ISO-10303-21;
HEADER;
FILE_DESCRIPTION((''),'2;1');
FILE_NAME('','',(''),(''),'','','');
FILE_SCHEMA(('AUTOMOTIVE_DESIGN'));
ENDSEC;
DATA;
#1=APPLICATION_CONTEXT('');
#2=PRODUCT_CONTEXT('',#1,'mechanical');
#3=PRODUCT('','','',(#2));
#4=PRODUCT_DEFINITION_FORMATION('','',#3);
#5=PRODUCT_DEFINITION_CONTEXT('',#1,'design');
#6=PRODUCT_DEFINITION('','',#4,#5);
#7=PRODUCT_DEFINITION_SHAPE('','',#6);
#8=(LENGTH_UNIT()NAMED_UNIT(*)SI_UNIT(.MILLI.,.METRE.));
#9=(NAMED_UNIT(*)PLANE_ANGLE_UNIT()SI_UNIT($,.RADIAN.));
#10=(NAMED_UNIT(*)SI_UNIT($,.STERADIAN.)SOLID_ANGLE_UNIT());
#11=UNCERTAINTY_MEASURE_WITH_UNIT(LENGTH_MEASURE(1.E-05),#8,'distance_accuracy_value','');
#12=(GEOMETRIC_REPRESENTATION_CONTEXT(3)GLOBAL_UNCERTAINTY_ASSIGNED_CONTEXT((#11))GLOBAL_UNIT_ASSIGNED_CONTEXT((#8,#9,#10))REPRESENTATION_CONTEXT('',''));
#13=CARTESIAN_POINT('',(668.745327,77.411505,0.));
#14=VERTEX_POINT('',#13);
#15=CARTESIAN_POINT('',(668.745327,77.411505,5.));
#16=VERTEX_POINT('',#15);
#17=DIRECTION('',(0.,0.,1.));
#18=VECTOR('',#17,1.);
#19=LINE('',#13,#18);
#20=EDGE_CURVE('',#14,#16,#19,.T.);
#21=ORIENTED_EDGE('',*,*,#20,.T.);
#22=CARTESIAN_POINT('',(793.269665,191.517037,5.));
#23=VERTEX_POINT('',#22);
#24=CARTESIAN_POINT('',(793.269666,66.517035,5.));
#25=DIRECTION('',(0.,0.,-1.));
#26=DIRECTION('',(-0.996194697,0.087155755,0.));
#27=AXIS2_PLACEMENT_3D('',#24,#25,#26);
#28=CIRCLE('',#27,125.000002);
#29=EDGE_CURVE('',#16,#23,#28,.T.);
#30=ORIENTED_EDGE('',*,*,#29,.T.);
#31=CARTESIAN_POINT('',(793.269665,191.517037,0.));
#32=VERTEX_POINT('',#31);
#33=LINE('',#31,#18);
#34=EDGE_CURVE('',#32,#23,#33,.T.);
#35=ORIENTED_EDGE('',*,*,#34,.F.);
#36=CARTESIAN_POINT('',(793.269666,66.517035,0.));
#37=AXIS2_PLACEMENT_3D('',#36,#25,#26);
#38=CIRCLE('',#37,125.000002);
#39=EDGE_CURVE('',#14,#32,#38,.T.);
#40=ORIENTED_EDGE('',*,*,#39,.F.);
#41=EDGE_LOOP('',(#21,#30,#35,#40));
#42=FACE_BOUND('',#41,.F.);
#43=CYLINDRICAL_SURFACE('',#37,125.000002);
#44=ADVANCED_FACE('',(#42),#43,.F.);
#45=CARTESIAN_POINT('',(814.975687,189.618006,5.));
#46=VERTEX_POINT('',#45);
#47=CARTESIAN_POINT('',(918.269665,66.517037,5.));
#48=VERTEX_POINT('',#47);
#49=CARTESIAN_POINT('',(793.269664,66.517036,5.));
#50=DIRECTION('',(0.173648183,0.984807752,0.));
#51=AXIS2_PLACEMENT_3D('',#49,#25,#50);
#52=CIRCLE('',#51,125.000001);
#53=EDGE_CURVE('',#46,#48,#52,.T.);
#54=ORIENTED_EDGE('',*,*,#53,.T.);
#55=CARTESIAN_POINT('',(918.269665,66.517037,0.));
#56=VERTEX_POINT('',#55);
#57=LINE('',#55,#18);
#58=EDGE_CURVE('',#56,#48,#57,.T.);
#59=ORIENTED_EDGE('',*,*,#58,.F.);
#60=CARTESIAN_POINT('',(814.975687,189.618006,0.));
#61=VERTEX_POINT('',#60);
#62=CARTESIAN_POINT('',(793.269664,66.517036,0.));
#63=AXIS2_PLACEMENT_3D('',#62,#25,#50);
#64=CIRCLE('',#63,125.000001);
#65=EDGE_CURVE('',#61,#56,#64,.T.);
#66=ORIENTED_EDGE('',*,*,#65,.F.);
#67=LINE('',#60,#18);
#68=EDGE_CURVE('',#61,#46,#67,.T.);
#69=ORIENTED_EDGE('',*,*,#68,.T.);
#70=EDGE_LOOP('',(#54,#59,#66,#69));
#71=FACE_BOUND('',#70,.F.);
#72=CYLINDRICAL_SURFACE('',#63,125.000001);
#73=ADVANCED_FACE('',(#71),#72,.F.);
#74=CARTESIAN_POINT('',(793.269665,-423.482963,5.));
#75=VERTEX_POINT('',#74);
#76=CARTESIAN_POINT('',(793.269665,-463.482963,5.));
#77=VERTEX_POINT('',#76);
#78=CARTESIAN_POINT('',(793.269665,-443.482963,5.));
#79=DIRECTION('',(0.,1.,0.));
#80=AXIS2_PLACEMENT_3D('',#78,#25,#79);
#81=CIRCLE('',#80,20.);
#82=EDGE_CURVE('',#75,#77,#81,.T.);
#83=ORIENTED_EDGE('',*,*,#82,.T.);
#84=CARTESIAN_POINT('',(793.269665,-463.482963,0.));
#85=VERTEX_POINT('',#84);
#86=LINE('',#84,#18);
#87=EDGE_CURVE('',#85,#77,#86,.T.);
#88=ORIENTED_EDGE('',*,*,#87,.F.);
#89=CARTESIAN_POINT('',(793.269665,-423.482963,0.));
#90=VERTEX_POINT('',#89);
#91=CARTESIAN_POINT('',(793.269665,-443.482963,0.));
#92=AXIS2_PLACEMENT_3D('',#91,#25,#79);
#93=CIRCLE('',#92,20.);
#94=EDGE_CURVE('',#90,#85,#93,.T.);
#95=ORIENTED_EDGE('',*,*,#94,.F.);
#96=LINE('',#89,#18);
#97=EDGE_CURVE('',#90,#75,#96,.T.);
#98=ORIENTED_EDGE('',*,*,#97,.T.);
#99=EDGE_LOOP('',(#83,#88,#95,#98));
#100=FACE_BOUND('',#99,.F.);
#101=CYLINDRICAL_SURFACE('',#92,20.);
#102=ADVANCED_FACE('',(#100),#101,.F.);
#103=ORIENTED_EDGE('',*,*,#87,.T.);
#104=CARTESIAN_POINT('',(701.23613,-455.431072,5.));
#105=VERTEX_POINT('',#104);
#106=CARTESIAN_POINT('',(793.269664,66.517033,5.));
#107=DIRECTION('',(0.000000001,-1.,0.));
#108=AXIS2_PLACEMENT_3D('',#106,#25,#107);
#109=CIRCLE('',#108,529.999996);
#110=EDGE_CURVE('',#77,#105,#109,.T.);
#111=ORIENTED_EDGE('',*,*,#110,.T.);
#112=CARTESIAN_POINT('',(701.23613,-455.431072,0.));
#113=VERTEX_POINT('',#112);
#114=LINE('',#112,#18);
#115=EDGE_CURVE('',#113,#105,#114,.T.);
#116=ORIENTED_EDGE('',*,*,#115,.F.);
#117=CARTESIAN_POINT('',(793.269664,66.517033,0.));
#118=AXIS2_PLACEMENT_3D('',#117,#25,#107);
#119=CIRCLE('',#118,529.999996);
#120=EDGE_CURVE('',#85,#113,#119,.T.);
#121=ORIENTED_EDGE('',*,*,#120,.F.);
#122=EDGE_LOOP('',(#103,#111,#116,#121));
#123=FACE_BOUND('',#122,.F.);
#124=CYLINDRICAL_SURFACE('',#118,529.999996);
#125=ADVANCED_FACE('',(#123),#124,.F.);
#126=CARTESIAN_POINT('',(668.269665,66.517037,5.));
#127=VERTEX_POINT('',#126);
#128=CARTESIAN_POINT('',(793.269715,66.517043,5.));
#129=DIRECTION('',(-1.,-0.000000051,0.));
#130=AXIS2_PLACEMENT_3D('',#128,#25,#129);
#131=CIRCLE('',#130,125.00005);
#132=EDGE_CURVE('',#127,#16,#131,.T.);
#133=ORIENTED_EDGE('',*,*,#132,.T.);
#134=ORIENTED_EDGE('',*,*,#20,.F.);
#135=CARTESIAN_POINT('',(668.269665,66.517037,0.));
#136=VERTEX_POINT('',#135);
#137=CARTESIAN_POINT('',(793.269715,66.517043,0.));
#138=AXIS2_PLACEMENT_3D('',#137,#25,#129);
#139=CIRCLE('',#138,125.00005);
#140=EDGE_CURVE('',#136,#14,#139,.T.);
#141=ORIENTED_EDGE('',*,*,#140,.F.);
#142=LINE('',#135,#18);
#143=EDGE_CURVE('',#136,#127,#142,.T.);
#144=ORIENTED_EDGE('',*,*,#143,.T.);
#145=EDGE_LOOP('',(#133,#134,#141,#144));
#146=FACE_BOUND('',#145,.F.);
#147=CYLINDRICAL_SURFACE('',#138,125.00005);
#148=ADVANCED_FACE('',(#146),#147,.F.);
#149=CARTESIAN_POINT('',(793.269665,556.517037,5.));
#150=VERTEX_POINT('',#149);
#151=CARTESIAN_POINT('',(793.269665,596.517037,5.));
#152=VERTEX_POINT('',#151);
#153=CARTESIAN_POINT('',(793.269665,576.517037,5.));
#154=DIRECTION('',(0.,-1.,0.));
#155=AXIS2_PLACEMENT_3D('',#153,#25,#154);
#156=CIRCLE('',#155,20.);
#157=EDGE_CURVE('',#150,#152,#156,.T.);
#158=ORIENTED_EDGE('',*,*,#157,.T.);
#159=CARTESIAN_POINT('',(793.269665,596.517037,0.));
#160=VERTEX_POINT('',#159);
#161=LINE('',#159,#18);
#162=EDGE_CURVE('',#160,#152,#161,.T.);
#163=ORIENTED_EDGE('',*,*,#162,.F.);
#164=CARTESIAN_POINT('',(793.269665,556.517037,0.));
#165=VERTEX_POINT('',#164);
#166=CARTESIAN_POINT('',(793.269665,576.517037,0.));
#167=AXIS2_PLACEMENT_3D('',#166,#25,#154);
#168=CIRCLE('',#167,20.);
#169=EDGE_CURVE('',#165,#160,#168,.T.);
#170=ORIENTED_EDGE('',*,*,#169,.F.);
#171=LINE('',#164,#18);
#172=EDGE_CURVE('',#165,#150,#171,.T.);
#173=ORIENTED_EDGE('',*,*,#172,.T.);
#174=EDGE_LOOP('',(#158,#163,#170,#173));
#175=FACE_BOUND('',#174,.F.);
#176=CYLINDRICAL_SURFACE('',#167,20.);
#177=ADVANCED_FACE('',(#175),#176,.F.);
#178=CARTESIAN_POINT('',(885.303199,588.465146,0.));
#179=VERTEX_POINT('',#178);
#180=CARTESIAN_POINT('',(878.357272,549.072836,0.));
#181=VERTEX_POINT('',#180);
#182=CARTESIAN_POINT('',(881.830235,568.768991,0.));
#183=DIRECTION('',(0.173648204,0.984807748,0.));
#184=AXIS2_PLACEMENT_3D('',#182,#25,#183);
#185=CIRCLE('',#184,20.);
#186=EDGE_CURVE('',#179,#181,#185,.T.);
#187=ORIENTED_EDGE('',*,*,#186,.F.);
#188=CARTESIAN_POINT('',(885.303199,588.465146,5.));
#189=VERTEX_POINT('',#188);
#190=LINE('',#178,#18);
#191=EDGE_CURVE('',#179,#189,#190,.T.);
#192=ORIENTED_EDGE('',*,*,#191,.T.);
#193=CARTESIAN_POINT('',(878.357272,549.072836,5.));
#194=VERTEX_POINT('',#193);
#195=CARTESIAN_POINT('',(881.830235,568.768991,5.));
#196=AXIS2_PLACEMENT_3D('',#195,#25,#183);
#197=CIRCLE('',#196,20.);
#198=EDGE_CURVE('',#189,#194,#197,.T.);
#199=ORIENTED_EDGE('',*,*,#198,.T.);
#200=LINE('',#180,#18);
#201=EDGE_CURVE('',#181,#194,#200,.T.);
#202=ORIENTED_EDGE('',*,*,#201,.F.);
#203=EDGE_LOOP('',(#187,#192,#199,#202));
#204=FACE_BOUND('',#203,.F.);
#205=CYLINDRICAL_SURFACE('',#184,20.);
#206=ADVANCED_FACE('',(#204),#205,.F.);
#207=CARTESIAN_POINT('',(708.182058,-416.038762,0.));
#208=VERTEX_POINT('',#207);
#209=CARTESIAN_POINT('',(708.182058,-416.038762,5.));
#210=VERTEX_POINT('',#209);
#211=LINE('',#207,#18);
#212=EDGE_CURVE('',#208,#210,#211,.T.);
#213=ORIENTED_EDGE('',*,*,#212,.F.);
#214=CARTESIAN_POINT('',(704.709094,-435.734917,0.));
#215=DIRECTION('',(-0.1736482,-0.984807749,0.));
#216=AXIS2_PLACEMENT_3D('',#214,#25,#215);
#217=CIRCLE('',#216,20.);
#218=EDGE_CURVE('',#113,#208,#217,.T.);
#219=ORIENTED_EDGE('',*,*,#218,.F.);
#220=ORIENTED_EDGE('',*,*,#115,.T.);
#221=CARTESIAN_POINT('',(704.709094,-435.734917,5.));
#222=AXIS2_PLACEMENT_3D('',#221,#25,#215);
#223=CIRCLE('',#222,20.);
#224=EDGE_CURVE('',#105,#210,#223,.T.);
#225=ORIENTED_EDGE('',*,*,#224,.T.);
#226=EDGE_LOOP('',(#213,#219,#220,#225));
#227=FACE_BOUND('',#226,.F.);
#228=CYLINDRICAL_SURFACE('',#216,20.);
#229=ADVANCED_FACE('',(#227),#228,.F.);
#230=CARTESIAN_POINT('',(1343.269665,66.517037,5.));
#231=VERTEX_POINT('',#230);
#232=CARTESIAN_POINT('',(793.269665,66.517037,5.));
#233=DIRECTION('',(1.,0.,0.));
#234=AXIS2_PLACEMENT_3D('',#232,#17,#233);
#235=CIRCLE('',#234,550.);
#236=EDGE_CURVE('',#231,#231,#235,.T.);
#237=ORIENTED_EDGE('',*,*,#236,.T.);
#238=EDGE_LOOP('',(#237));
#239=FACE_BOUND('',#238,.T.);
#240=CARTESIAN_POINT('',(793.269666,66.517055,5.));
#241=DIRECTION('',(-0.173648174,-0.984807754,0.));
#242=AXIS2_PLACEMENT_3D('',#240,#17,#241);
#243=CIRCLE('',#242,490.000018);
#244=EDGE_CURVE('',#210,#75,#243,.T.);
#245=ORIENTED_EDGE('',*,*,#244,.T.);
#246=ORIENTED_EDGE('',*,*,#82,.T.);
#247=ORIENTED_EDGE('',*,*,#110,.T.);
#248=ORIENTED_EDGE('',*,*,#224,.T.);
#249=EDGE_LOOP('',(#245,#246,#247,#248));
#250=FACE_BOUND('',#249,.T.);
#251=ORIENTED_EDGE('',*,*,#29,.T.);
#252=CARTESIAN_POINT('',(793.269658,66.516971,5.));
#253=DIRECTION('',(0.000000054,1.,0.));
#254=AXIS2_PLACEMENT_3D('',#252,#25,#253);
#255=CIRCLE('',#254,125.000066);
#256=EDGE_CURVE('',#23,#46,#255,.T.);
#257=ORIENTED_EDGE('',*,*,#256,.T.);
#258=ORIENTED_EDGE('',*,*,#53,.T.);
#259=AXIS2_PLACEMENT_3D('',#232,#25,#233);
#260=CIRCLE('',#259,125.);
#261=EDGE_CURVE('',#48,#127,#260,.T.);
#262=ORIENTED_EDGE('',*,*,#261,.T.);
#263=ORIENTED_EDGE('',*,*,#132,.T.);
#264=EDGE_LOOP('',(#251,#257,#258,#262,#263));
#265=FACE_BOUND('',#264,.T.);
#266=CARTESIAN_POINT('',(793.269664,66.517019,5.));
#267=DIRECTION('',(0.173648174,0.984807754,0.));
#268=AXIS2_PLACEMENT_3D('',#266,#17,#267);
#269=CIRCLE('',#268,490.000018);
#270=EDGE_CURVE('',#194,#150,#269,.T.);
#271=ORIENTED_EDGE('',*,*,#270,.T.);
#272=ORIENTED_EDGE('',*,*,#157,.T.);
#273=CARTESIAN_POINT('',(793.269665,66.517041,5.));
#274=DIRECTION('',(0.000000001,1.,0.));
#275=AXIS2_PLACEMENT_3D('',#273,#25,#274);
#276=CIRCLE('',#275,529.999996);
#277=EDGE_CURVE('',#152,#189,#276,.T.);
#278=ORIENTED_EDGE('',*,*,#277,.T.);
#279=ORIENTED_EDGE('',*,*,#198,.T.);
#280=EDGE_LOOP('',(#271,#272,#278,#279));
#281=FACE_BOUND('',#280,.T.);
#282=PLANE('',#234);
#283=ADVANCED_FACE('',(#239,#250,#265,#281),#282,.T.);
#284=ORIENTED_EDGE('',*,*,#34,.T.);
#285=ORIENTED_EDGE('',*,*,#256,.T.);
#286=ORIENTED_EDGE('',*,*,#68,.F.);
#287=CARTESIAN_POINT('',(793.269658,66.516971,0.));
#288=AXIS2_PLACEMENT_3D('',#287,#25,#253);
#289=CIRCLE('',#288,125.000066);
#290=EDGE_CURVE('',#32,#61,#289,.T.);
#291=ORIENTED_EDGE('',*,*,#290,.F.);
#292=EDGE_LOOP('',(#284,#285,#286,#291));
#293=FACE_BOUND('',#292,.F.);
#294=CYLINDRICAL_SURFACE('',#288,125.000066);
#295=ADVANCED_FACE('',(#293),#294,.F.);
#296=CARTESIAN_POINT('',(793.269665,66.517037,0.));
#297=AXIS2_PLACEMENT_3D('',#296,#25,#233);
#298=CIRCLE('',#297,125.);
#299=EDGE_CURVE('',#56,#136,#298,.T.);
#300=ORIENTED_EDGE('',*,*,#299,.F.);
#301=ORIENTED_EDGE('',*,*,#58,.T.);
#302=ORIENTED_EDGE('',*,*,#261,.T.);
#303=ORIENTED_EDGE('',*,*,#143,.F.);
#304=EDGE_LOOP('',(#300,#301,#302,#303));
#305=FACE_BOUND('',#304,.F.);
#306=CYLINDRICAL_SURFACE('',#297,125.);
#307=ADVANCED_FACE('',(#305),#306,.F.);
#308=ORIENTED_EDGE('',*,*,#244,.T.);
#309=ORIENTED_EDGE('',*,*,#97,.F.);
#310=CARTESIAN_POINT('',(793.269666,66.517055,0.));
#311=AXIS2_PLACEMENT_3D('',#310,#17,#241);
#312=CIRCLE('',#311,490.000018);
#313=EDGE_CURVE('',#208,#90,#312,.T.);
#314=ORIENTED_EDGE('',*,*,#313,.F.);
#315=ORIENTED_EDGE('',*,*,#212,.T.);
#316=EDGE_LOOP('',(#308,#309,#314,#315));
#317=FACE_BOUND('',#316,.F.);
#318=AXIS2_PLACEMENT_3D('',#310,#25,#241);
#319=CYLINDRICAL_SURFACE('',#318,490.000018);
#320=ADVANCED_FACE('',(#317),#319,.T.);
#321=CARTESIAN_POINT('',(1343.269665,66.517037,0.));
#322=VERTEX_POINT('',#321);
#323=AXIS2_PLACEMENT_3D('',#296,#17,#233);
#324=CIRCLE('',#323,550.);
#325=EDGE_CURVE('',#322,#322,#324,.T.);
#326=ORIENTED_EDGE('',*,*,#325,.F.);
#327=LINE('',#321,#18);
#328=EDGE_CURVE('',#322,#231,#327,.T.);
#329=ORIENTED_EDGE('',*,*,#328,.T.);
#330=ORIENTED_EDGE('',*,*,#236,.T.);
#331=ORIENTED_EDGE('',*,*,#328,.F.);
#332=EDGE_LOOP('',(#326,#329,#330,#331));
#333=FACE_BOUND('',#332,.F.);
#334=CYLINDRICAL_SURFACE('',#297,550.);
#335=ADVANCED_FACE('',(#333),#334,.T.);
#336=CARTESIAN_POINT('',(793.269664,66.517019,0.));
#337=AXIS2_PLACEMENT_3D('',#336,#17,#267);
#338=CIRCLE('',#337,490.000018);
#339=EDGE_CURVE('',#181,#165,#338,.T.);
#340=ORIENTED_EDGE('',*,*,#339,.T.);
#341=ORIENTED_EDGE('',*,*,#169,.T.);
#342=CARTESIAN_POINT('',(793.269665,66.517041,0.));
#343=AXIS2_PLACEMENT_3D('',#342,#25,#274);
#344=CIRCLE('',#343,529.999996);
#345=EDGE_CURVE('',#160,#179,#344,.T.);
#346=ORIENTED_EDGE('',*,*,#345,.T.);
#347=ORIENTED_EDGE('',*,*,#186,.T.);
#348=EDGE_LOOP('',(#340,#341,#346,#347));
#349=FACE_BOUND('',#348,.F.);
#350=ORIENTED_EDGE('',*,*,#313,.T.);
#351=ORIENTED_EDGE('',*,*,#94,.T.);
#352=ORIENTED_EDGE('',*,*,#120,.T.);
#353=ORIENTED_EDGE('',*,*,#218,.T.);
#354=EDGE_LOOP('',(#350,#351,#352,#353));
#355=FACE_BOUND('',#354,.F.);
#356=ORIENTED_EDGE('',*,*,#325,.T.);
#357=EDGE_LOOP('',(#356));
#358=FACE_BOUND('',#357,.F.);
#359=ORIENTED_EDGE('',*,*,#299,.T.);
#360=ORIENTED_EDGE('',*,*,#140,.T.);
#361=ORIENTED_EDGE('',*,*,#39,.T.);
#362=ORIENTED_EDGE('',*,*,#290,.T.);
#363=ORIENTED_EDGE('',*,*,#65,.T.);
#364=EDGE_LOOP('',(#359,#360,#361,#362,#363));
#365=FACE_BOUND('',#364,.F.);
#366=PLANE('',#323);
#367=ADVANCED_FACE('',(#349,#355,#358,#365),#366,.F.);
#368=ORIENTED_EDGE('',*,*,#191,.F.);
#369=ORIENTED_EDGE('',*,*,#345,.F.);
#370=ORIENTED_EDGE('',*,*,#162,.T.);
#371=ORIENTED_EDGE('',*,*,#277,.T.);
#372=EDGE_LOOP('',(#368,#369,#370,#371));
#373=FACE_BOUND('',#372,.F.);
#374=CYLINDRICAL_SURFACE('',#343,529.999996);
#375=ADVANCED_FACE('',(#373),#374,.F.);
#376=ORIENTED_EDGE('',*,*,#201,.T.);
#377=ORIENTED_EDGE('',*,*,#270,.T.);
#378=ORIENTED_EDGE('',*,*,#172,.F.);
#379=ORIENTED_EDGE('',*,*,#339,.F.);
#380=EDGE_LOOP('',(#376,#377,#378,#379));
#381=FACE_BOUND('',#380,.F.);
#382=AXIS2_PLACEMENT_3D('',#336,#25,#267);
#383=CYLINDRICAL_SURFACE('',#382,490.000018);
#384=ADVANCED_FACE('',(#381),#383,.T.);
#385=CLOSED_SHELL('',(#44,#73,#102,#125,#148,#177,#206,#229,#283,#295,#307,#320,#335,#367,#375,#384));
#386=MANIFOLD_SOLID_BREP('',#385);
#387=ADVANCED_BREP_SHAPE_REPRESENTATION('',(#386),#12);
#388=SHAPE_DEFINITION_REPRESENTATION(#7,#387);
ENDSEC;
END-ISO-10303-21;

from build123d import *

# Parameters (mm, degrees)
F0_R     = 550
F1_DEPTH = 5


with BuildPart() as f1:
    # F0 (on Top) → F1 (new body)
    with BuildSketch(Plane.XY):
        with Locations((793.269665, 66.517037)):
            Circle(F0_R)
        with BuildLine():
            ThreePointArc((708.182058, -416.038762), (750.563351, -421.618365), (793.269665, -423.482963))
            ThreePointArc((793.269665, -423.482963), (813.269665, -443.482963), (793.269665, -463.482963))
            ThreePointArc((793.269665, -463.482963), (747.077121, -461.466153), (701.23613, -455.431072))
            ThreePointArc((701.23613, -455.431072), (685.012939, -432.261953), (708.182058, -416.038762))
        make_face(mode=Mode.SUBTRACT)
        with BuildLine():
            ThreePointArc((814.975687, 189.618006), (889.02522, 146.865488), (918.269665, 66.517037))
            ThreePointArc((918.269665, 66.517037), (793.269665, -58.482963), (668.269665, 66.517037))
            ThreePointArc((668.269665, 66.517037), (668.388637, 71.969461), (668.745327, 77.411505))
            ThreePointArc((668.745327, 77.411505), (708.820889, 158.676704), (793.269665, 191.517037))
            Line((793.269665, 191.517037), (793.269665, 556.517037))
            ThreePointArc((793.269665, 556.517037), (773.269665, 576.517037), (793.269665, 596.517037))
            ThreePointArc((793.269665, 596.517037), (839.462208, 594.500227), (885.303199, 588.465146))
            ThreePointArc((885.303199, 588.465146), (901.52639, 565.296028), (878.357272, 549.072836))
            Line((878.357272, 549.072836), (814.975687, 189.618006))
        make_face(mode=Mode.SUBTRACT)
        with BuildLine():
            ThreePointArc((793.269665, 191.517037), (804.164132, 191.041374), (814.975687, 189.618006))
            Line((814.975687, 189.618006), (878.357272, 549.072836))
            ThreePointArc((878.357272, 549.072836), (835.975979, 554.652439), (793.269665, 556.517037))
            Line((793.269665, 556.517037), (793.269665, 191.517037))
        make_face()
    extrude(amount=F1_DEPTH)


solid = f1.part
